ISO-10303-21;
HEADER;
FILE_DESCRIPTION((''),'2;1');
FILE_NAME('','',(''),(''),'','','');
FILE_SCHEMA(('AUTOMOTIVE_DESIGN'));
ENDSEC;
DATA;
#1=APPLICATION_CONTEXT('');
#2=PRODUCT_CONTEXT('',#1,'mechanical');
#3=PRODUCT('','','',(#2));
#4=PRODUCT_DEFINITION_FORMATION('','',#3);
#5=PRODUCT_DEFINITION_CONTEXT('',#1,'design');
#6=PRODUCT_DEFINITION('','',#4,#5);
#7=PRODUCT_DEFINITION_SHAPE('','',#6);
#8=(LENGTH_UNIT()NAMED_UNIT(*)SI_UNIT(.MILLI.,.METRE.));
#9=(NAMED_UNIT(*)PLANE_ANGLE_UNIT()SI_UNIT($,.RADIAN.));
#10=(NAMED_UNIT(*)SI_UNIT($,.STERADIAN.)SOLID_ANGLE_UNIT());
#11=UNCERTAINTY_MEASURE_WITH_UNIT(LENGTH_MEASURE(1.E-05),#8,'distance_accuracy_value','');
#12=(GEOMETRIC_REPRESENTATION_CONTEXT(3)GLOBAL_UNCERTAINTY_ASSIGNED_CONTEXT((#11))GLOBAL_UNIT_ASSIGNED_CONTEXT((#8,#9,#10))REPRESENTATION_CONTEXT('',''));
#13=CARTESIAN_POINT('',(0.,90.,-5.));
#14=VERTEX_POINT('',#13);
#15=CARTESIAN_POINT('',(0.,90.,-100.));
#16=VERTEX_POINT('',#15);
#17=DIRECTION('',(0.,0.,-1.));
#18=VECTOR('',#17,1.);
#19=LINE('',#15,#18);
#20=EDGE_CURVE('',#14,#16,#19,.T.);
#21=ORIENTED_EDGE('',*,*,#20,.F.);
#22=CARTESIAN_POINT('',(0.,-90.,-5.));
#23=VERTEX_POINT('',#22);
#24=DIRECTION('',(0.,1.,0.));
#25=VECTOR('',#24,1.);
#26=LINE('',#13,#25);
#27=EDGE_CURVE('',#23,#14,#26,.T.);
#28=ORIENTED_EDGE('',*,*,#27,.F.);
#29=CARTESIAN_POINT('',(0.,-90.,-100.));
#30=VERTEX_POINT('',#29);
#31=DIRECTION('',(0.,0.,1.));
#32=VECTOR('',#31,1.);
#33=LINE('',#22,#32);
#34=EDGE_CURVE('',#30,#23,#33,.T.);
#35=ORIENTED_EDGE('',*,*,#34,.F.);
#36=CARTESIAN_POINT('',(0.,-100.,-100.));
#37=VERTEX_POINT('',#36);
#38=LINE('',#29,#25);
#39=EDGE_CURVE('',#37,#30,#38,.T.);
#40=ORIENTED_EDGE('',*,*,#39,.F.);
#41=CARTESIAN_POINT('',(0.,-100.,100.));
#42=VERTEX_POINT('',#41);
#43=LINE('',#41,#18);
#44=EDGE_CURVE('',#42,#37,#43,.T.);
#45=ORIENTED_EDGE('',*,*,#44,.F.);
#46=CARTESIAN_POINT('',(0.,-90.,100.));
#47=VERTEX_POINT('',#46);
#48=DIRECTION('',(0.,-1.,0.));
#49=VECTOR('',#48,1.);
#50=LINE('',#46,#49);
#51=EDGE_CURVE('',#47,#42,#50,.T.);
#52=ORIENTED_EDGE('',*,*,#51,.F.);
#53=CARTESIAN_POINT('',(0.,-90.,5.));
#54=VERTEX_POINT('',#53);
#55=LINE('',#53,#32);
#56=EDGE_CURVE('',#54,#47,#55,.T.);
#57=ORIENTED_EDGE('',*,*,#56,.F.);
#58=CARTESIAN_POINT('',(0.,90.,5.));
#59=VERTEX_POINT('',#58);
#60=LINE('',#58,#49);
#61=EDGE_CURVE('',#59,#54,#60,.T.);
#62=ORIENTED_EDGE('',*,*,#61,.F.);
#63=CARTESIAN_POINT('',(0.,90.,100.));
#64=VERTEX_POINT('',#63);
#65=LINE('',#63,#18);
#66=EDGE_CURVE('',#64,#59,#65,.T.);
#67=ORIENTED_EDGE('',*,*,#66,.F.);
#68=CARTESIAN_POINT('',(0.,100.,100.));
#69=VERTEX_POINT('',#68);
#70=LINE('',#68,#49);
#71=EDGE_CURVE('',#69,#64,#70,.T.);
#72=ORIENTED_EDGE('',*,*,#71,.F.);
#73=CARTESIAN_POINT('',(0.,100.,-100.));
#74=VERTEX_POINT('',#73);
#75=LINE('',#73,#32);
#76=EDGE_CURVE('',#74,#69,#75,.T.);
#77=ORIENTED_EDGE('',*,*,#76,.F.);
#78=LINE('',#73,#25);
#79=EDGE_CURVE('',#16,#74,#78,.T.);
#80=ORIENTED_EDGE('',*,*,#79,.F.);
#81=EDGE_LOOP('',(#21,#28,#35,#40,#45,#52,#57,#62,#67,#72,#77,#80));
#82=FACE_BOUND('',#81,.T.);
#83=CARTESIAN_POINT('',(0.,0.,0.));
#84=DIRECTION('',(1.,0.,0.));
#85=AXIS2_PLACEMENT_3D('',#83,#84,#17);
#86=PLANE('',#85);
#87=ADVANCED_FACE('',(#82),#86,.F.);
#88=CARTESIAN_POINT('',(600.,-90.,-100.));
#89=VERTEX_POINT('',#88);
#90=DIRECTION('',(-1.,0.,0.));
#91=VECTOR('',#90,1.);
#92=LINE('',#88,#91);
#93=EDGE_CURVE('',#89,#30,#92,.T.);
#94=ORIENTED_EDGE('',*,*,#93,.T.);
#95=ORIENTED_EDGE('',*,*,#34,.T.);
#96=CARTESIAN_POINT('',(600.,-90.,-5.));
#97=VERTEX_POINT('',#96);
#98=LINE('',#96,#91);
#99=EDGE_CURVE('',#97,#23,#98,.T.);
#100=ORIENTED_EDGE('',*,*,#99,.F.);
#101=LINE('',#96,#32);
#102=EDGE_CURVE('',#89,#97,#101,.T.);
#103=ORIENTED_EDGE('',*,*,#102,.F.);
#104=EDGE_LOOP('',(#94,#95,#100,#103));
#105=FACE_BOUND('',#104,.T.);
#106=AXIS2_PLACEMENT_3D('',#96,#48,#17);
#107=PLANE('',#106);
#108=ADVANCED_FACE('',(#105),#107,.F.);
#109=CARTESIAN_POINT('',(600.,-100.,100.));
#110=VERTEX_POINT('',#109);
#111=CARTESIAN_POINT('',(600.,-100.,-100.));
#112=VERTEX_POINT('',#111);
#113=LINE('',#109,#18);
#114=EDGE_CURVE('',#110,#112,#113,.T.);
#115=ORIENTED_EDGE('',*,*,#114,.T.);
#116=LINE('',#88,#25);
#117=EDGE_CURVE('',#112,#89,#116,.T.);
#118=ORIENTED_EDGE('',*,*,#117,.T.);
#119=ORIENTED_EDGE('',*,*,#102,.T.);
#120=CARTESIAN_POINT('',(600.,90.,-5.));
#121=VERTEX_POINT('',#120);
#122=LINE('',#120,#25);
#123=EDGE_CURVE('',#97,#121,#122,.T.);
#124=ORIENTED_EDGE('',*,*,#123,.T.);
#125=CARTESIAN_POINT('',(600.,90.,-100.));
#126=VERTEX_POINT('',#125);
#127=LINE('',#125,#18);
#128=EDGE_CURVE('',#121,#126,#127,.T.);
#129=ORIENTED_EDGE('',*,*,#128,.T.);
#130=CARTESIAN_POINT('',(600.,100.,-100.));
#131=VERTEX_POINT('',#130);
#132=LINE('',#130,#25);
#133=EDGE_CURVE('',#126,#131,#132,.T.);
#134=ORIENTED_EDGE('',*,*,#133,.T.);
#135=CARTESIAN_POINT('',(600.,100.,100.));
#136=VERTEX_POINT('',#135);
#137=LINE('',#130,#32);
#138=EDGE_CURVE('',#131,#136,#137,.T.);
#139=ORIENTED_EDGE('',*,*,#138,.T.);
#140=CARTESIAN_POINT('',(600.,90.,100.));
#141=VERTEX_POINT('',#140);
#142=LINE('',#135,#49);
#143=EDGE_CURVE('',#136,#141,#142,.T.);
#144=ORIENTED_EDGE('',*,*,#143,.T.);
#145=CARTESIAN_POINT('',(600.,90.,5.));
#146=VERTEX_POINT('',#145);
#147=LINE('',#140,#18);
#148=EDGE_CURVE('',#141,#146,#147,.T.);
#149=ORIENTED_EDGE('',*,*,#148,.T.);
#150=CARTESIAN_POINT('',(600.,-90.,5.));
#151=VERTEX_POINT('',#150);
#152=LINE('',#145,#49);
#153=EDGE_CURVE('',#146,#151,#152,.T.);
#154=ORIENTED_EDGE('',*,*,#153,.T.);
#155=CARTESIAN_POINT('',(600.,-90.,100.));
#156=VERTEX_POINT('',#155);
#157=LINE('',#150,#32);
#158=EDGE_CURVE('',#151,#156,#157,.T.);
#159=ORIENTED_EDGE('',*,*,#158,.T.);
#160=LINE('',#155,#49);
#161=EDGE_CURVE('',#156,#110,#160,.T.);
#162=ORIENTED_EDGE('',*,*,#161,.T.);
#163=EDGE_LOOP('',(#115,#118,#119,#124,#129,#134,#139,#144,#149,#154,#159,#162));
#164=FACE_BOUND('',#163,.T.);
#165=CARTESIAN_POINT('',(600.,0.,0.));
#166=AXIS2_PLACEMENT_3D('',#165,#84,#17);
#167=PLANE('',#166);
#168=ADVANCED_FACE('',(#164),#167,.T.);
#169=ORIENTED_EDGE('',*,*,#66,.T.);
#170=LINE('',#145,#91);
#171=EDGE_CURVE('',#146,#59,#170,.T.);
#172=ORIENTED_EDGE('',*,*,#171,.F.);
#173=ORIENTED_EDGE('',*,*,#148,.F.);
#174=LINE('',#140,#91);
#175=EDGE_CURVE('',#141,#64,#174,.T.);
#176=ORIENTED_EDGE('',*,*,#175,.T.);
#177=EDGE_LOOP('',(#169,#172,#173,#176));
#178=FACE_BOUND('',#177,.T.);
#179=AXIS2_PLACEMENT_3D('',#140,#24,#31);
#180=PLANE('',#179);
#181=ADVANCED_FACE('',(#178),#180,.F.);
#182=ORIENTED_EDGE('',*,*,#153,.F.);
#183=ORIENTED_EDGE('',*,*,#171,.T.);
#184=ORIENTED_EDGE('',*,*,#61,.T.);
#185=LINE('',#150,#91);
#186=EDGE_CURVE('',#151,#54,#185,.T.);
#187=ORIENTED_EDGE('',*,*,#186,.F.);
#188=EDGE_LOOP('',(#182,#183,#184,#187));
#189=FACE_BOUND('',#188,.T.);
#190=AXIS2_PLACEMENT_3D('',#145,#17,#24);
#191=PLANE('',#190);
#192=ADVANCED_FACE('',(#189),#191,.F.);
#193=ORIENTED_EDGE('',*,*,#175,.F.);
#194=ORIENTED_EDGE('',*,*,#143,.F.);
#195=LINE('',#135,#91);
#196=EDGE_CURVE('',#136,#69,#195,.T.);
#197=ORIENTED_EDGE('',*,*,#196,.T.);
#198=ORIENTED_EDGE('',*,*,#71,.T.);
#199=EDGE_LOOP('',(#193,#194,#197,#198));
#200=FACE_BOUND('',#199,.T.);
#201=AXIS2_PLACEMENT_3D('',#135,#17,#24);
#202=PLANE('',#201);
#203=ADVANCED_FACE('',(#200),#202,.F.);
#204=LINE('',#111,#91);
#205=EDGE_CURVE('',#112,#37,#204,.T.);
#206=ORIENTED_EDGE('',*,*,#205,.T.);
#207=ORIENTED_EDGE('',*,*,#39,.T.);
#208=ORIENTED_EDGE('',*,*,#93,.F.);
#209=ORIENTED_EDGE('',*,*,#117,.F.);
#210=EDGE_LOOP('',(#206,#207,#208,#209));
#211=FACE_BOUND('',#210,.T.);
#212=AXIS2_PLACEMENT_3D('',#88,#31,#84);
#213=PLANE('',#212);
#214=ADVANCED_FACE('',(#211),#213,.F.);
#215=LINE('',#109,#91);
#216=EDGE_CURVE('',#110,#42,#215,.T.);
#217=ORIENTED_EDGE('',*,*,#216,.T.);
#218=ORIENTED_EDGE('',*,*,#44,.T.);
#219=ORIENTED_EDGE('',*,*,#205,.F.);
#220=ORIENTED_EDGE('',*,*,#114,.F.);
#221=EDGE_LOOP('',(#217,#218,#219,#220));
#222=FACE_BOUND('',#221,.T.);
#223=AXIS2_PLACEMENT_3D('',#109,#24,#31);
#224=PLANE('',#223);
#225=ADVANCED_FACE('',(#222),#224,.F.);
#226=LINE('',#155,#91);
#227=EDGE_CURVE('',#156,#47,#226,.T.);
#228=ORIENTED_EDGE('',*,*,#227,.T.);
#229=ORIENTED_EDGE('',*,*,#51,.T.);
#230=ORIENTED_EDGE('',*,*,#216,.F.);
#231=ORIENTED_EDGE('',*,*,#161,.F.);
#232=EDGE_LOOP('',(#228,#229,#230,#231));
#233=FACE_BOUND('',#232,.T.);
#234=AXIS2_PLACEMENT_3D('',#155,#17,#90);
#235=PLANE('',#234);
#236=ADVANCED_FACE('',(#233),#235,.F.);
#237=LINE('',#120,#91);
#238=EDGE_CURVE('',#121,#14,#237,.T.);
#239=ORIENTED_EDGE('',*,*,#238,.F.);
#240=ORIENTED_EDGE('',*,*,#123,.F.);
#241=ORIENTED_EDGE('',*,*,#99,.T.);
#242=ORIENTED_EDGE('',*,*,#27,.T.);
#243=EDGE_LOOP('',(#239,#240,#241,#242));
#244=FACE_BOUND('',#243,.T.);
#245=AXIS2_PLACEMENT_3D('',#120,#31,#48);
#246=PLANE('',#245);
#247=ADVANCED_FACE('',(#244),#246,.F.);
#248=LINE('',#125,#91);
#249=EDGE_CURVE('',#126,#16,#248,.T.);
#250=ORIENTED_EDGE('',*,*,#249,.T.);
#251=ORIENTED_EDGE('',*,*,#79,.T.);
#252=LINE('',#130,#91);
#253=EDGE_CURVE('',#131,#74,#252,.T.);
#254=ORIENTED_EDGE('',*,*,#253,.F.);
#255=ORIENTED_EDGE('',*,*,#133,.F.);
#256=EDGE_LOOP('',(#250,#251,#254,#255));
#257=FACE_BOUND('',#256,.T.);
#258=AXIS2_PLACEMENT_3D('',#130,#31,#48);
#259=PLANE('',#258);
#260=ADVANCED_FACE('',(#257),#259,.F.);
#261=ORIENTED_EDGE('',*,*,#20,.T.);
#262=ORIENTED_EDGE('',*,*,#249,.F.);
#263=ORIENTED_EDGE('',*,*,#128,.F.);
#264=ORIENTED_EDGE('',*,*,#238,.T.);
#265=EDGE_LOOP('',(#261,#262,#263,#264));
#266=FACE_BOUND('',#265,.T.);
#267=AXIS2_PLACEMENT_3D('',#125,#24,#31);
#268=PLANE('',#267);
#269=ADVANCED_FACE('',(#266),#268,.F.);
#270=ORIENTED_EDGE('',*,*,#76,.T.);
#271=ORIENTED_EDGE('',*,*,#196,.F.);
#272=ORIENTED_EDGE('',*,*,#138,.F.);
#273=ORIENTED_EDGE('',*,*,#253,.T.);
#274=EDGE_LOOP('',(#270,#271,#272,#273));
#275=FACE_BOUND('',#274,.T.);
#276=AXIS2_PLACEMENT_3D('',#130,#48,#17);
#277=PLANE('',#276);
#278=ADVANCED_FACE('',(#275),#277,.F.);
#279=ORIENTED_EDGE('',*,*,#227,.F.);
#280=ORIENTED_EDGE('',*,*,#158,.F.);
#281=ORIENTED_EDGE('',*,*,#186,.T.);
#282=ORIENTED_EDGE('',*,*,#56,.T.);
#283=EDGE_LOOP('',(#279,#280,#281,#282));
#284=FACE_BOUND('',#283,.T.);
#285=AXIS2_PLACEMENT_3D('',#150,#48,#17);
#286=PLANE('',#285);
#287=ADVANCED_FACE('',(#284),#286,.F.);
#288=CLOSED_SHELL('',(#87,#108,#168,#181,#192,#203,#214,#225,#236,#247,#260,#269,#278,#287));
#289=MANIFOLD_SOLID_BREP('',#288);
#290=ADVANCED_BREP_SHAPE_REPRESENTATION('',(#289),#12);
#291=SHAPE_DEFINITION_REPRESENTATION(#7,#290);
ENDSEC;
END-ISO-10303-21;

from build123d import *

# Parameters (mm, degrees)
BOSS_EXTRUDE1_DEPTH = 600


with BuildPart() as part:
    # Sketch1 → Boss-Extrude1 (new body)
    with BuildSketch(Plane(origin=(0, 0, 0), x_dir=(0, 0, -1), z_dir=(1, 0, 0))):
        Polygon((100, 100), (-100, 100), (-100, 90), (-5, 90), (-5, -90), (-100, -90), (-100, -100), (100, -100), (100, -90), (5, -90), (5, 90), (100, 90), align=None)
    extrude(amount=BOSS_EXTRUDE1_DEPTH)


solid = part.part
